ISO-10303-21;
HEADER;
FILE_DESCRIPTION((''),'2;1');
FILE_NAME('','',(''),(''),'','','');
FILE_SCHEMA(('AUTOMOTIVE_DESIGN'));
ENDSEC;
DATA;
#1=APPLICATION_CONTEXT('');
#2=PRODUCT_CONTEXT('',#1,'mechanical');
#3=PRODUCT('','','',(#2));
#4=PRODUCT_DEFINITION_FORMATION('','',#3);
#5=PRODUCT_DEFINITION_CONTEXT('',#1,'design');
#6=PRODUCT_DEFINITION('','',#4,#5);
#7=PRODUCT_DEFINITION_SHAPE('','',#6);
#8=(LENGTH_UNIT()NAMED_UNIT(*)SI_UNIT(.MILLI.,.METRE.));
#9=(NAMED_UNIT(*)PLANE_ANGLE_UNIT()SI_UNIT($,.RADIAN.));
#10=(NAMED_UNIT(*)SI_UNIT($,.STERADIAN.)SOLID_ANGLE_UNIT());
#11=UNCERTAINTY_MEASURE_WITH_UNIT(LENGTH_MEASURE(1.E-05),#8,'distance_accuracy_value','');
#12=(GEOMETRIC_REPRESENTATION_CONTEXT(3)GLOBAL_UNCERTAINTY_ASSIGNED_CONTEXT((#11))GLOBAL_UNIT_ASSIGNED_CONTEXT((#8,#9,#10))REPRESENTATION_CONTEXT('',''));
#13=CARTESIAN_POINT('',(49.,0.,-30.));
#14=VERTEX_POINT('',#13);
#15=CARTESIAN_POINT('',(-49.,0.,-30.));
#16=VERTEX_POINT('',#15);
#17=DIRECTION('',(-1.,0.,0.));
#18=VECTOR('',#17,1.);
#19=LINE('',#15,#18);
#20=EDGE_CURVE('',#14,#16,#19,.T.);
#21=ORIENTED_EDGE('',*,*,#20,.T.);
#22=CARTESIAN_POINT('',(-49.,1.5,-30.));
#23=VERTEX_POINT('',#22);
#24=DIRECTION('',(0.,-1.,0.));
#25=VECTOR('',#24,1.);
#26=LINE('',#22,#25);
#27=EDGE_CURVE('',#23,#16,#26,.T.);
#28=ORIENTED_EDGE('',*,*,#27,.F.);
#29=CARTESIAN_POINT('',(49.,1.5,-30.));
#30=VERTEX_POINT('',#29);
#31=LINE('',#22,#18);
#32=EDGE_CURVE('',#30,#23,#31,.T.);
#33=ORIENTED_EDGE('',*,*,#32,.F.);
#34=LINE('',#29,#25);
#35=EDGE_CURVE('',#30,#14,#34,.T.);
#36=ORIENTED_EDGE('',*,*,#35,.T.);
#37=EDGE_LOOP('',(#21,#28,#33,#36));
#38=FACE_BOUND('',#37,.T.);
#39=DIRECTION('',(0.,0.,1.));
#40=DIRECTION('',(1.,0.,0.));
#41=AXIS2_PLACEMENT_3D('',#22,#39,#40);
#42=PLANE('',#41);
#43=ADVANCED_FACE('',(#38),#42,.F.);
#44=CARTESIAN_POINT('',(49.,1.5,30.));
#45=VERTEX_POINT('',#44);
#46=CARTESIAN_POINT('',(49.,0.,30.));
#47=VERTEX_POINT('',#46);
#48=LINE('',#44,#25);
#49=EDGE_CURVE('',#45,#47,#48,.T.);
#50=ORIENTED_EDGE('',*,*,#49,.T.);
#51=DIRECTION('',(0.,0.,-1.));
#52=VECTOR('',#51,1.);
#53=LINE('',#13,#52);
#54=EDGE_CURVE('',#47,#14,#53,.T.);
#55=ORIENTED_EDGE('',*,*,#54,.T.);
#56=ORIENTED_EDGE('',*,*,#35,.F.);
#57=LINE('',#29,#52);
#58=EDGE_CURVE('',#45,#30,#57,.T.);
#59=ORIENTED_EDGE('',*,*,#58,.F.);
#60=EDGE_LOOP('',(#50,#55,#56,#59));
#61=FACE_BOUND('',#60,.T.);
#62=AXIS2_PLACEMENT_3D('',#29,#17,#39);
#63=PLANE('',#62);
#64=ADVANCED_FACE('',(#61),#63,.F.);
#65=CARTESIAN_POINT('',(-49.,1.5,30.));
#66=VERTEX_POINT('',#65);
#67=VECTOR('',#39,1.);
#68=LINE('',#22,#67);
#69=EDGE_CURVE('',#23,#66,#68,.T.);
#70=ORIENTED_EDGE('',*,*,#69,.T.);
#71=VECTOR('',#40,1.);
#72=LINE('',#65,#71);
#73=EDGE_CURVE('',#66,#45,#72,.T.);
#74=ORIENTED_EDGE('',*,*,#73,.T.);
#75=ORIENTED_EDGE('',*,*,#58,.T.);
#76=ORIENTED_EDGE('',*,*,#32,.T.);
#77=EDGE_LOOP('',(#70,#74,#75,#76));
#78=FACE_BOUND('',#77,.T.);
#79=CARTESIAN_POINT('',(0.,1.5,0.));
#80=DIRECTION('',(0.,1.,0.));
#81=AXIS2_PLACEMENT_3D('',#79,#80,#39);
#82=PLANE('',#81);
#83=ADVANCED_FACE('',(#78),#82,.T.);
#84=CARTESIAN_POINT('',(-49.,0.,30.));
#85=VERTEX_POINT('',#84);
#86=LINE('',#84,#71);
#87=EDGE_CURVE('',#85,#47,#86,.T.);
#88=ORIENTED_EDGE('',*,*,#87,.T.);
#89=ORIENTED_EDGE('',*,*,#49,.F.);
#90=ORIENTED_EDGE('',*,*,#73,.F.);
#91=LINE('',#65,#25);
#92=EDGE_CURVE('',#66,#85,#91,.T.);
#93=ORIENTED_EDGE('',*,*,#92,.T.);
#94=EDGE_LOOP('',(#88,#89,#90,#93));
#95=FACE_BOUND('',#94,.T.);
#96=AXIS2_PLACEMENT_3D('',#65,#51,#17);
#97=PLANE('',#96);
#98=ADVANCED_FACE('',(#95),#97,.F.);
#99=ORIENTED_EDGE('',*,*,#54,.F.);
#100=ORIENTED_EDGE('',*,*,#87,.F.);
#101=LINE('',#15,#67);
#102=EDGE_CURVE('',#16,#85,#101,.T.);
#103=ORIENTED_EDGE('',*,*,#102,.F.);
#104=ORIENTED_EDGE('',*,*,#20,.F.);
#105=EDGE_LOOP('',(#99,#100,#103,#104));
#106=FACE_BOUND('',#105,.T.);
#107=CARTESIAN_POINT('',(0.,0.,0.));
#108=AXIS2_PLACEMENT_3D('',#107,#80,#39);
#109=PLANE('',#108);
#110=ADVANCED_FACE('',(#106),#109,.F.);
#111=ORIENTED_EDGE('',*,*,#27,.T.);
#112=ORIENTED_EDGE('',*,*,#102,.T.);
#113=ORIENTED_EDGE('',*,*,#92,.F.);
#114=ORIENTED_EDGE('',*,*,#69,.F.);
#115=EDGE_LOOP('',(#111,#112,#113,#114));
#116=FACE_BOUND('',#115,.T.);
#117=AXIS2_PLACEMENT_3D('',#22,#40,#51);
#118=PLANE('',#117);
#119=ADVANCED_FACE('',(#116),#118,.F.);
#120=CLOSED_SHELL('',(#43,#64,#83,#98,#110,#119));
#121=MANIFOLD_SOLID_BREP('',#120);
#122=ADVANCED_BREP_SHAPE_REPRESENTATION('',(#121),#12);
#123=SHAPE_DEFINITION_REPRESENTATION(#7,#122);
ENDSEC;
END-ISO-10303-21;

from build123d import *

# Parameters (mm, degrees)
SKETCH_1_W      = 98
SKETCH_1_H      = 60
EXTRUDE_1_DEPTH = 1.5


with BuildPart() as part:
    # Эскиз1 → Бобышка-Вытянуть1 (new body)
    with BuildSketch(Plane(origin=(0, 0, 0), x_dir=(1, 0, 0), z_dir=(0, 1, 0))):
        Rectangle(SKETCH_1_W, SKETCH_1_H)
    extrude(amount=EXTRUDE_1_DEPTH)


solid = part.part
